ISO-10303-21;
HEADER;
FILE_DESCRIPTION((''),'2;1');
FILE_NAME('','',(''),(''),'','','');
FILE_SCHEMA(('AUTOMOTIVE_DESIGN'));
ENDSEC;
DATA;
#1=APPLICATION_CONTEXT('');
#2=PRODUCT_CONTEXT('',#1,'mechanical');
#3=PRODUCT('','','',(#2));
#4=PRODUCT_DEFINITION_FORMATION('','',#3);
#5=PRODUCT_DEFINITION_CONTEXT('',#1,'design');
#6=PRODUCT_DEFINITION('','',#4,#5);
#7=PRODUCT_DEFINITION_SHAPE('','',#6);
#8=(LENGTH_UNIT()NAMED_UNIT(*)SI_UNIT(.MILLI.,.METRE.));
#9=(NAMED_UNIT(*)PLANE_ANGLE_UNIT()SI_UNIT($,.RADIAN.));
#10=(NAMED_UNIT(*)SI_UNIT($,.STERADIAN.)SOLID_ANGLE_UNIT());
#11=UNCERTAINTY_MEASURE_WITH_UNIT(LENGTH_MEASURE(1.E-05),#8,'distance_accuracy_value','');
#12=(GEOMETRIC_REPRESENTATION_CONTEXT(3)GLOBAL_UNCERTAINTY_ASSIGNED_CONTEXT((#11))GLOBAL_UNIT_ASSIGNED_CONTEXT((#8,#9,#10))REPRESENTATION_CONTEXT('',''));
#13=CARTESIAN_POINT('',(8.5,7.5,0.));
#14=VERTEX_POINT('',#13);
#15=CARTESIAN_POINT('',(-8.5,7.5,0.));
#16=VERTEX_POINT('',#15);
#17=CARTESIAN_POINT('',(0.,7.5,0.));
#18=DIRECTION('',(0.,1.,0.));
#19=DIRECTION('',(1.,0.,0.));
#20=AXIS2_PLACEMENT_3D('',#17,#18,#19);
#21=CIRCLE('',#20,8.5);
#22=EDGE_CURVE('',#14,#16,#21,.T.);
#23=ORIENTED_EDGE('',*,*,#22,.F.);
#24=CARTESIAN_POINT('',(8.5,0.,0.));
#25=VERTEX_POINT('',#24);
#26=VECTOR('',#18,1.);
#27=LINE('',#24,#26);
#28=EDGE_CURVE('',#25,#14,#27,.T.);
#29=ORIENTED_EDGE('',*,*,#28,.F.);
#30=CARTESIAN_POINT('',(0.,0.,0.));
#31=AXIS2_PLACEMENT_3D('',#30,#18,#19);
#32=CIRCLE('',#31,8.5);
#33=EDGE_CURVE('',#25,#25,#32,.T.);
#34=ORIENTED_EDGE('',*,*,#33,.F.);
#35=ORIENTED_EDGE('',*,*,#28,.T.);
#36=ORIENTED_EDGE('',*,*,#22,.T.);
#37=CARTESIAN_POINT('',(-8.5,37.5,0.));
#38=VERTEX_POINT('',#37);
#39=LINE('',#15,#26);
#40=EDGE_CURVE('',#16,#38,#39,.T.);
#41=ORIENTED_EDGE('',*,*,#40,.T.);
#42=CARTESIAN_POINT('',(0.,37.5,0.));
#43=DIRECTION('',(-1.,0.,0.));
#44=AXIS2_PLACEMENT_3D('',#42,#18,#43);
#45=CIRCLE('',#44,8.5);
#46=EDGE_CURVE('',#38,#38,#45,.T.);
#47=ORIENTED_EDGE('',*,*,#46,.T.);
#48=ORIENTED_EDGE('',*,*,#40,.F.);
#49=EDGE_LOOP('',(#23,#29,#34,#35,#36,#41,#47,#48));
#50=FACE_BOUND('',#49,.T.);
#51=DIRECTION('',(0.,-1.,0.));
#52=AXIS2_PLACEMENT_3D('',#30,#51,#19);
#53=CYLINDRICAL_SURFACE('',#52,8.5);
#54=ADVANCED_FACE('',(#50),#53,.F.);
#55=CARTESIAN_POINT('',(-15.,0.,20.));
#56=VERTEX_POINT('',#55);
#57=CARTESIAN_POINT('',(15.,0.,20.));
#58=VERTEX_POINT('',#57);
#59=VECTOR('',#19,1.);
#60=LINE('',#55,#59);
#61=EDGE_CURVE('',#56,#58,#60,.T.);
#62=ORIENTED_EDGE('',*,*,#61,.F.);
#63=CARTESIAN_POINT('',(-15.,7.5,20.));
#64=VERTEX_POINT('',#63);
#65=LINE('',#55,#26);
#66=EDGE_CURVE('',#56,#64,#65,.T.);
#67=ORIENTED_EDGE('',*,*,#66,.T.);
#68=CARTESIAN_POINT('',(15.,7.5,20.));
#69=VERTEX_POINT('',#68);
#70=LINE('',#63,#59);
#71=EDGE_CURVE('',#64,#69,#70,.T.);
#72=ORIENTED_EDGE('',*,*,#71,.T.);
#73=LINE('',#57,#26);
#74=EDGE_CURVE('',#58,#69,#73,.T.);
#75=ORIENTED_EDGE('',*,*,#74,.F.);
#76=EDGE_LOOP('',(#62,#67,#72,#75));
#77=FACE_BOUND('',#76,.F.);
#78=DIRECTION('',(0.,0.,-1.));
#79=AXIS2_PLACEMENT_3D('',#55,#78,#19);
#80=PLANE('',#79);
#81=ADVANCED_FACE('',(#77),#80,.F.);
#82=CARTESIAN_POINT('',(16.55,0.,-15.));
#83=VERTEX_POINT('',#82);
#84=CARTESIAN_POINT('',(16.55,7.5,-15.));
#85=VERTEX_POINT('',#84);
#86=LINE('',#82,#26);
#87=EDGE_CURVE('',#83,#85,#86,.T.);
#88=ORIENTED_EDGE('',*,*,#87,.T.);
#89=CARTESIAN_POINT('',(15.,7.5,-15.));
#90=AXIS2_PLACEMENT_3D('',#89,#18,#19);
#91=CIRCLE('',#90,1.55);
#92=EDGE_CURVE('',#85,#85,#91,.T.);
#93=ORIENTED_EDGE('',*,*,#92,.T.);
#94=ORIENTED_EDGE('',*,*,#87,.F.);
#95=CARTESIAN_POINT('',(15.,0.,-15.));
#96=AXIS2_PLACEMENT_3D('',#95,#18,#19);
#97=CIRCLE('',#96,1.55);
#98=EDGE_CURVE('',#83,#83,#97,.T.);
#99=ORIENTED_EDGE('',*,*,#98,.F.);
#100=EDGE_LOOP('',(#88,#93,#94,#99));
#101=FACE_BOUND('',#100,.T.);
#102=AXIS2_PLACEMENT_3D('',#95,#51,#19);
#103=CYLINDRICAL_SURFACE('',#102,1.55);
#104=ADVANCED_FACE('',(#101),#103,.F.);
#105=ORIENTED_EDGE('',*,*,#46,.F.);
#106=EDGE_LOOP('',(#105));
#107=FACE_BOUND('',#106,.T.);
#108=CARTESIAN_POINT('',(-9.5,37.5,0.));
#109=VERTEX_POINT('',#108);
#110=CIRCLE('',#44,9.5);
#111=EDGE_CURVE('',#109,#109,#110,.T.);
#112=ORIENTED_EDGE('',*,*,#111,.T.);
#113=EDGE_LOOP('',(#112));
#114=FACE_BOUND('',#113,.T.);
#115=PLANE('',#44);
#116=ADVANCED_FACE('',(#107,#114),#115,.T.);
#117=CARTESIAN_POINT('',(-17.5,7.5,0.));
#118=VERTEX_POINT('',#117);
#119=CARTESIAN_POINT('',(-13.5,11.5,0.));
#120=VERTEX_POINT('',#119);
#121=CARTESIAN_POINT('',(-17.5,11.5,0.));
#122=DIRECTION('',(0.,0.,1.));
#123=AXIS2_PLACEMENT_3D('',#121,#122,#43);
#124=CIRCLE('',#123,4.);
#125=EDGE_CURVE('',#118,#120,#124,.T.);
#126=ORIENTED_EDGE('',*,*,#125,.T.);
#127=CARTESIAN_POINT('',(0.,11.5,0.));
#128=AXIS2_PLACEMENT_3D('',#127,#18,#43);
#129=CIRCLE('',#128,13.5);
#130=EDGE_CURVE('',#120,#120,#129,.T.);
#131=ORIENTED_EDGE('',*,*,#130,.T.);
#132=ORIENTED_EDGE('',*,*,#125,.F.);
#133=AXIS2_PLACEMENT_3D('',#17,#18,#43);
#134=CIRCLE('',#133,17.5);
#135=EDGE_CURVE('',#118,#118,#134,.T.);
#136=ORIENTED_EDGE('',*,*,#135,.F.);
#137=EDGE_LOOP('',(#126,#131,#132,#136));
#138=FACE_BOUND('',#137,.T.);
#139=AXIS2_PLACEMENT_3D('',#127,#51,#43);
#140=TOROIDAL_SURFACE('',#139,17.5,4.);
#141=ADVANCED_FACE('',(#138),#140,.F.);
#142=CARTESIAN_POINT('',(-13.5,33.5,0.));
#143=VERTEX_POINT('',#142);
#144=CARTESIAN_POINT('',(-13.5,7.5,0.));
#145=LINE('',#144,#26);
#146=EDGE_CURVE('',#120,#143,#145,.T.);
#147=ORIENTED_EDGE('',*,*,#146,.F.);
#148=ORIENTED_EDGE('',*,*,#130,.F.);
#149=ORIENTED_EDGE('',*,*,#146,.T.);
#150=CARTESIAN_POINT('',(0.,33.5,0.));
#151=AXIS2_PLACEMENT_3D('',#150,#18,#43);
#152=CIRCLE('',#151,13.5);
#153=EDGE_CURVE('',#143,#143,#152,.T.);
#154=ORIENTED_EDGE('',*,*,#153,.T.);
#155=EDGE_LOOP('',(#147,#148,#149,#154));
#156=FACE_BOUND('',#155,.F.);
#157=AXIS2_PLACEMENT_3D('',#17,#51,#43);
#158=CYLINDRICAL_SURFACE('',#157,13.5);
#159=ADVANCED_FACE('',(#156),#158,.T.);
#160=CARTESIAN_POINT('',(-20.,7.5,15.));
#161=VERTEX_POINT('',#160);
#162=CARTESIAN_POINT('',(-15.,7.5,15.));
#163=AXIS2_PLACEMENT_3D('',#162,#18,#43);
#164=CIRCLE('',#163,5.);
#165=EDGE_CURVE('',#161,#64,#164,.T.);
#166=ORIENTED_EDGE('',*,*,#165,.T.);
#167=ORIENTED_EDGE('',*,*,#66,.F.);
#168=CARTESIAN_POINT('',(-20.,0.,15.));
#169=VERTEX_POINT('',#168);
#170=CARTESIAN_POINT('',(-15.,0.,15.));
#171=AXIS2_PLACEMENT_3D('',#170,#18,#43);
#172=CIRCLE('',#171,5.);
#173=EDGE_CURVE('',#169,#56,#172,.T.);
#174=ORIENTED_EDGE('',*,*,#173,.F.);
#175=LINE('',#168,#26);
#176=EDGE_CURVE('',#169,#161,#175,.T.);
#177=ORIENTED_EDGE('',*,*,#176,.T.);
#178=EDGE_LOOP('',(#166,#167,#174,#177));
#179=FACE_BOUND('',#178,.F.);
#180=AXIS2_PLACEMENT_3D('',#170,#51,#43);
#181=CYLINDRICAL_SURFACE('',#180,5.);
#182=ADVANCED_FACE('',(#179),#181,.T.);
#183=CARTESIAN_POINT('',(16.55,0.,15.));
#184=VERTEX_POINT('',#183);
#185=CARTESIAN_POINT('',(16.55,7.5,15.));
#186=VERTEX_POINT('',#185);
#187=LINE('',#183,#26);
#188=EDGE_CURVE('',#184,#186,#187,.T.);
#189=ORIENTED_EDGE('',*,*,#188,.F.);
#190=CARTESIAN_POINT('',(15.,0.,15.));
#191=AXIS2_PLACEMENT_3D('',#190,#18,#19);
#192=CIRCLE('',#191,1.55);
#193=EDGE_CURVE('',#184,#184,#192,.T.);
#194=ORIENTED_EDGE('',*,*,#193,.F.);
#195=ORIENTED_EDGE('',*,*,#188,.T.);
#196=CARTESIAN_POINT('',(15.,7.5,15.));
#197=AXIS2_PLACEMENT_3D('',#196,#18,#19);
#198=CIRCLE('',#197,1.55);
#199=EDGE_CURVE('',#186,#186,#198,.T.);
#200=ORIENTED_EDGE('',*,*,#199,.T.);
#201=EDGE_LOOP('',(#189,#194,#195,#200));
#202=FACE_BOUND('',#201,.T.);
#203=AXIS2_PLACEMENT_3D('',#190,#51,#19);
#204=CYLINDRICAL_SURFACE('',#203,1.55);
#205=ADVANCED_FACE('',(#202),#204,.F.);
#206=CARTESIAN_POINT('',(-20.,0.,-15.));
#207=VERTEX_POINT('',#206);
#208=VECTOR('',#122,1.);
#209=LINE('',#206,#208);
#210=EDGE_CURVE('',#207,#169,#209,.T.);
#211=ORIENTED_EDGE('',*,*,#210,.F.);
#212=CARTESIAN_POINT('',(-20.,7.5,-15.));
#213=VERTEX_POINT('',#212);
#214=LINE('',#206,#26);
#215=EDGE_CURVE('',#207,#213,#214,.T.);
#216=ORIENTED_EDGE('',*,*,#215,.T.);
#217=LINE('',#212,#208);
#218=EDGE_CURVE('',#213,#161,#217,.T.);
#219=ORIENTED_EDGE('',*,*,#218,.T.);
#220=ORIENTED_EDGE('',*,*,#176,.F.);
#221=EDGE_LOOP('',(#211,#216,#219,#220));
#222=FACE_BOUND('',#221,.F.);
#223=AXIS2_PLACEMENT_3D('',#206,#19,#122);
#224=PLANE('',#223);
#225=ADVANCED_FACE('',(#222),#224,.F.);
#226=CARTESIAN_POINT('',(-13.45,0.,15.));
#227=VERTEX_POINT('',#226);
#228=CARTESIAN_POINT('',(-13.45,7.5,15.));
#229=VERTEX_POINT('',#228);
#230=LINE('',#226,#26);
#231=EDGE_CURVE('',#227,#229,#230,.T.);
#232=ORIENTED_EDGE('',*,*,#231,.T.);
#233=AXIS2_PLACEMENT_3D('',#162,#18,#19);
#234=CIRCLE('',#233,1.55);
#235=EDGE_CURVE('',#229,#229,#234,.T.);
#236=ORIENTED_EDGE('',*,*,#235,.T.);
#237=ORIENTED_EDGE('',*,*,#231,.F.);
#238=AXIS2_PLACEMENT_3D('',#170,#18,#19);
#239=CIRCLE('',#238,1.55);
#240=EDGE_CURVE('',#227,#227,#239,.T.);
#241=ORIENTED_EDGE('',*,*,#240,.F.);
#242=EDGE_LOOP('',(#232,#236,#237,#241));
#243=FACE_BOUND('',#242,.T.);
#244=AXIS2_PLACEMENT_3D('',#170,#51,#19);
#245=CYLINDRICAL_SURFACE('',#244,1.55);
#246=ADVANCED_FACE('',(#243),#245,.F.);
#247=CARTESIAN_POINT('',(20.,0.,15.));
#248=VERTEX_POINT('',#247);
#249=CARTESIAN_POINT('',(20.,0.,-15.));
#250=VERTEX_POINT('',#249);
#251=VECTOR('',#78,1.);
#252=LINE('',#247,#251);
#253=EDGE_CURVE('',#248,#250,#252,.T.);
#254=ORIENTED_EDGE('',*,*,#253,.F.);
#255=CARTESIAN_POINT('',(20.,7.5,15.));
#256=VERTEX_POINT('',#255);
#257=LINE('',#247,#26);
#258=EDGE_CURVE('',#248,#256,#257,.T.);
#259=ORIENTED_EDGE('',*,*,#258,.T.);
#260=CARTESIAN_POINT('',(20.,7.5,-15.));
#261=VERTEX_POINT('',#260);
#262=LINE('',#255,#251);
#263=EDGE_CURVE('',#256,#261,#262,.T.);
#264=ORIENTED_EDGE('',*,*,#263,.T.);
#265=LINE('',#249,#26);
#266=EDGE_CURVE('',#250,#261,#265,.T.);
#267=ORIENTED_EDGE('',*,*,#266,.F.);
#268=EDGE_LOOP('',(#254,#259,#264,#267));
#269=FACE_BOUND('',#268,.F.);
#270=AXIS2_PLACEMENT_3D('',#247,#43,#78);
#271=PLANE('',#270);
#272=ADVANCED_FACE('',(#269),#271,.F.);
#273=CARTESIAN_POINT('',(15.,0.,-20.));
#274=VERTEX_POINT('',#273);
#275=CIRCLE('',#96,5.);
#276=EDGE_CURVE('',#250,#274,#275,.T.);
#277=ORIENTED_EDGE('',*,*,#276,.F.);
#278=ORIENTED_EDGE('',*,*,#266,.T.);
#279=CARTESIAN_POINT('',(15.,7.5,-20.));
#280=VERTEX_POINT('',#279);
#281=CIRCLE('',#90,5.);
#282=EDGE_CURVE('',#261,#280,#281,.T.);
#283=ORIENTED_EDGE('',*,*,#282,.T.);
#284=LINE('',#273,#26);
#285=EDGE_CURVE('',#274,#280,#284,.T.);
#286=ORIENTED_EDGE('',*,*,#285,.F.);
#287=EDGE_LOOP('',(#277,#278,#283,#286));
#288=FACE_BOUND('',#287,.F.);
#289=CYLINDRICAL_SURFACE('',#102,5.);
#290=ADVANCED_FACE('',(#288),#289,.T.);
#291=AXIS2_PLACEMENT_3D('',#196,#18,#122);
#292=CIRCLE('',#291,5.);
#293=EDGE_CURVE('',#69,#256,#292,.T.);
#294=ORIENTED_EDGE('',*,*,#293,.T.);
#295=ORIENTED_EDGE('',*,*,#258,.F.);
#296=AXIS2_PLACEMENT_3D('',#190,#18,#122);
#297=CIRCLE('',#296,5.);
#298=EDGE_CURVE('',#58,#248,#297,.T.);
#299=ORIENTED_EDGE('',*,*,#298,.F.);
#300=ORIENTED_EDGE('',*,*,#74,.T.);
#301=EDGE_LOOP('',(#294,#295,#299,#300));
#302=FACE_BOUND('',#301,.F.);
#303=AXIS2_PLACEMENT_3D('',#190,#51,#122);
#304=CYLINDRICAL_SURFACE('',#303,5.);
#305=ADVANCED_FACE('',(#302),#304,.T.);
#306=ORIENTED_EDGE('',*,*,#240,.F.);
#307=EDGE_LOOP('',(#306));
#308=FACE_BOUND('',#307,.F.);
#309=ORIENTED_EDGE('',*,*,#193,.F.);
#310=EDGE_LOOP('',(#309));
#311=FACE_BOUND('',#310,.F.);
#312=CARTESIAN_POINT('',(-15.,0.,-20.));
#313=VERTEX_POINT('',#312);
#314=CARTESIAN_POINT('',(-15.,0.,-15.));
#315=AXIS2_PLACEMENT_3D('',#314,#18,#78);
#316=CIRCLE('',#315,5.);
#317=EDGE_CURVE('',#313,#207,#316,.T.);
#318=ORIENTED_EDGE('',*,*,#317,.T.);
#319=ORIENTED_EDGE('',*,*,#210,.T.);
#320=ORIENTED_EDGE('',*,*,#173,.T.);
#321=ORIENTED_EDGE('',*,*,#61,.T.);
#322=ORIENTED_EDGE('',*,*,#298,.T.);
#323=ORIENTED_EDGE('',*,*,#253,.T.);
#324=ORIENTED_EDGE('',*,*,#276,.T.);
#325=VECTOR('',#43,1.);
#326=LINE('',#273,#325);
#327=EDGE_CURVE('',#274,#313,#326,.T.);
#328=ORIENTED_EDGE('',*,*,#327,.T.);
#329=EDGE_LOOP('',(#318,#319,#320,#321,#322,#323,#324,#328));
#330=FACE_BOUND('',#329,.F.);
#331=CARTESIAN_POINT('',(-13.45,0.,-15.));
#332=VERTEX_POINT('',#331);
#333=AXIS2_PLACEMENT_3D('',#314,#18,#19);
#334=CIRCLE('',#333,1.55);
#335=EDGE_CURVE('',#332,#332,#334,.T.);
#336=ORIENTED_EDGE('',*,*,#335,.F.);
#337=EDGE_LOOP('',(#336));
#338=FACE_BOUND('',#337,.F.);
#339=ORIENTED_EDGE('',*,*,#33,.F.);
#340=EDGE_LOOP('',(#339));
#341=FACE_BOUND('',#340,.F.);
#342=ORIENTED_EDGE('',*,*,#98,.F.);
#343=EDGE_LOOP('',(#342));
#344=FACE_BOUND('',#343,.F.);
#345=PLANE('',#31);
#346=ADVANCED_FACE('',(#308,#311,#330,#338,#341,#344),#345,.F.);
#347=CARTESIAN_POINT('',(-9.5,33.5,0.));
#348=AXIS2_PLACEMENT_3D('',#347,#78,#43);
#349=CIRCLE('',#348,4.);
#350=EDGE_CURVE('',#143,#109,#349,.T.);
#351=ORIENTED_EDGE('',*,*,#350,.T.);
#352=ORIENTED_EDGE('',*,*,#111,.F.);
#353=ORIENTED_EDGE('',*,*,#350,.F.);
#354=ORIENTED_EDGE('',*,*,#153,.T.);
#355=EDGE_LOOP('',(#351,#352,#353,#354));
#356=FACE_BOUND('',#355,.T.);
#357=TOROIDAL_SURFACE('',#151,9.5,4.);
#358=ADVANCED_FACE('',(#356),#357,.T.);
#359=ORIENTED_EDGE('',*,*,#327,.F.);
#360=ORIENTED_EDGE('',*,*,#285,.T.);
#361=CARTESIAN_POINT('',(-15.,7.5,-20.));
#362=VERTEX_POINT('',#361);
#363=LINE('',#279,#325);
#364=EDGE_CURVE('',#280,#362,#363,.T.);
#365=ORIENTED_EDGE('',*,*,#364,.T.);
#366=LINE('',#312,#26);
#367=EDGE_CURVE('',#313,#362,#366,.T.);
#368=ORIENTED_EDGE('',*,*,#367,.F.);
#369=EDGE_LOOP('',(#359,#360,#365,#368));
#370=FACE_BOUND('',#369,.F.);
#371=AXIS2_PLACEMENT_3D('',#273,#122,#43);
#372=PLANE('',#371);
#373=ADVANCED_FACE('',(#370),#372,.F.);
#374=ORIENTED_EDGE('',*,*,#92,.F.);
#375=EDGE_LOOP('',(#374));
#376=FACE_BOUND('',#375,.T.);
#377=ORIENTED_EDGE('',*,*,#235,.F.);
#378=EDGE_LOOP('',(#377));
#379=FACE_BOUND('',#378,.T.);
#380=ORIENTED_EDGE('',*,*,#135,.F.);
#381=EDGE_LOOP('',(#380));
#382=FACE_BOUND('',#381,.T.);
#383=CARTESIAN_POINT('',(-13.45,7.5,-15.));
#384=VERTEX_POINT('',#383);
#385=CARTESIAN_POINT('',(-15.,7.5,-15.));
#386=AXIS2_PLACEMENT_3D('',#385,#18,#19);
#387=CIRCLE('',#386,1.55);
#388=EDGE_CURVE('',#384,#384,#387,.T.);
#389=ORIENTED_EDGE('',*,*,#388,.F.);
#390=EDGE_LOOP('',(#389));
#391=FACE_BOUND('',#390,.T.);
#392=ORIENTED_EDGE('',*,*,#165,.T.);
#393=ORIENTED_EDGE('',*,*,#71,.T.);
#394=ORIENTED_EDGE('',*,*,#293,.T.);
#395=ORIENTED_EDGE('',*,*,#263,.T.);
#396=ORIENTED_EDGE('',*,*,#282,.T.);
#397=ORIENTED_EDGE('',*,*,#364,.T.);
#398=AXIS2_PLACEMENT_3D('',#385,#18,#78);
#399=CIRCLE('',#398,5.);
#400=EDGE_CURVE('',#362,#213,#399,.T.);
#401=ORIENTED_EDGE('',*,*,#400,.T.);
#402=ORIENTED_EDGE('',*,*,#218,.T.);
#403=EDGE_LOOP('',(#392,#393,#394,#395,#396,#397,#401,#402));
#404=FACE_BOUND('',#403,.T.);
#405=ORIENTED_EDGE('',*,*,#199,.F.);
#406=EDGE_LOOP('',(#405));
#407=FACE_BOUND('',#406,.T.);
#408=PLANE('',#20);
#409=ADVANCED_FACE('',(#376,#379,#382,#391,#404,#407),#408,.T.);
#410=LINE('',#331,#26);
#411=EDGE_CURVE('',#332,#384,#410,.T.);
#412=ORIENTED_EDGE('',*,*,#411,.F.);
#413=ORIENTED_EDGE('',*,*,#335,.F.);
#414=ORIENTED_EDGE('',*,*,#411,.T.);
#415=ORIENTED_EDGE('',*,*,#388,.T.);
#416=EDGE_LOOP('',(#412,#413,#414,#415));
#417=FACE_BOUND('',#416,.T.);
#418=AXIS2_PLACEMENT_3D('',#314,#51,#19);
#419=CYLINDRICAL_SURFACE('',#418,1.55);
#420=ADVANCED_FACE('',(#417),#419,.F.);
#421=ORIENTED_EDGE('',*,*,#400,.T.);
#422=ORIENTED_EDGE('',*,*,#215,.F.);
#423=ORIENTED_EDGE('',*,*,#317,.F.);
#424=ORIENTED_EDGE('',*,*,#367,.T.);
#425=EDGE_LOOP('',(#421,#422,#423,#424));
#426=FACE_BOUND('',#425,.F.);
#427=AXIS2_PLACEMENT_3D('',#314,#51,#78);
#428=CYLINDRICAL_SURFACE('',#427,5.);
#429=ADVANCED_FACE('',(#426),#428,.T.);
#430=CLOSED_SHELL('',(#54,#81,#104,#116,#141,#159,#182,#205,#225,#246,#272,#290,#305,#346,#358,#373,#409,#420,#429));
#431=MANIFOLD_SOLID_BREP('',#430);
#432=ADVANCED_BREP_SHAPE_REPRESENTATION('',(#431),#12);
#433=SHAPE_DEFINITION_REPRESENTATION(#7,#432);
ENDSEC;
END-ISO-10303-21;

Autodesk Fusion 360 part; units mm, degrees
sketch "Sketch1" plane through (0, 0, 0) normal (0, 1, 0) x (1, 0, 0)
  line L0 (15, 20) -> (-15, 20)
  line L1 (-20, 15) -> (-20, -15)
  line L2 (-15, -20) -> (15, -20)
  line L3 (20, -15) -> (20, 15)
  line L4 (20, 20) -> (-20, -20) construction
  line L5 (-20, 20) -> (20, -20) construction
  arc A0 (20, 15) -> (15, 20) centre (15, 15) ccw
  arc A1 (-20, -15) -> (-15, -20) centre (-15, -15) ccw
  arc A2 (15, -20) -> (20, -15) centre (15, -15) ccw
  arc A3 (-15, 20) -> (-20, 15) centre (-15, 15) ccw
  circle A4 centre (-15, 15) radius 1.55
  circle A5 centre (15, 15) radius 1.55
  circle A6 centre (15, -15) radius 1.55
  circle A7 centre (-15, -15) radius 1.55
  circle A8 centre (0, 0) radius 8.5
  dimension "d1" = 40
  dimension "d2" = 5
  dimension "d4" = 3.1
  dimension "d5" = 17
extrude "Extrude1" add sketch "Sketch1" along normal blind 7.5
sketch "Sketch2" plane through (0, 7.5, 0) normal (0, 1, 0) x (-1, 0, 0)
  circle A0 centre (15, -15) radius 1.55
  circle A1 centre (-15, -15) radius 1.55
  circle A2 centre (-15, 15) radius 1.55
  circle A3 centre (15, 15) radius 1.55
  circle A4 centre (0, 0) radius 8.5
  arc A5 (15, -20) -> (20, -15) centre (15, -15) ccw
  line L0 (20, -15) -> (20, 15)
  arc A6 (20, 15) -> (15, 20) centre (15, 15) ccw
  line L1 (15, 20) -> (-15, 20)
  arc A7 (-15, 20) -> (-20, 15) centre (-15, 15) ccw
  line L2 (-20, 15) -> (-20, -15)
  arc A8 (-20, -15) -> (-15, -20) centre (-15, -15) ccw
  line L3 (-15, -20) -> (15, -20)
  circle A9 centre (0, 0) radius 8.5
  circle A10 centre (0, 0) radius 13.5
  dimension "d8" = 5
extrude "Extrude2" add sketch "Sketch2" along normal blind 30 contours A10
fillet "Fillet1" radius 4 1 faces at (-13.4329, 27.5, -1.3442)
sketch "Sketch3" plane through (0, 7.5, 0) normal (0, 1, 0) x (-1, 0, 0)
  arc A0 (15, -20) -> (20, -15) centre (15, -15) ccw
  line L0 (20, -15) -> (20, 15)
  arc A1 (20, 15) -> (15, 20) centre (15, 15) ccw
  line L1 (15, 20) -> (-15, 20)
  arc A2 (-15, 20) -> (-20, 15) centre (-15, 15) ccw
  line L2 (-20, 15) -> (-20, -15)
  arc A3 (-20, -15) -> (-15, -20) centre (-15, -15) ccw
  line L3 (-15, -20) -> (15, -20)
  circle A4 centre (15, 15) radius 1.55
  circle A5 centre (-15, -15) radius 1.55
  circle A6 centre (15, -15) radius 1.55
  circle A7 centre (-15, 15) radius 1.55
  circle A8 centre (0, 0) radius 17.5
